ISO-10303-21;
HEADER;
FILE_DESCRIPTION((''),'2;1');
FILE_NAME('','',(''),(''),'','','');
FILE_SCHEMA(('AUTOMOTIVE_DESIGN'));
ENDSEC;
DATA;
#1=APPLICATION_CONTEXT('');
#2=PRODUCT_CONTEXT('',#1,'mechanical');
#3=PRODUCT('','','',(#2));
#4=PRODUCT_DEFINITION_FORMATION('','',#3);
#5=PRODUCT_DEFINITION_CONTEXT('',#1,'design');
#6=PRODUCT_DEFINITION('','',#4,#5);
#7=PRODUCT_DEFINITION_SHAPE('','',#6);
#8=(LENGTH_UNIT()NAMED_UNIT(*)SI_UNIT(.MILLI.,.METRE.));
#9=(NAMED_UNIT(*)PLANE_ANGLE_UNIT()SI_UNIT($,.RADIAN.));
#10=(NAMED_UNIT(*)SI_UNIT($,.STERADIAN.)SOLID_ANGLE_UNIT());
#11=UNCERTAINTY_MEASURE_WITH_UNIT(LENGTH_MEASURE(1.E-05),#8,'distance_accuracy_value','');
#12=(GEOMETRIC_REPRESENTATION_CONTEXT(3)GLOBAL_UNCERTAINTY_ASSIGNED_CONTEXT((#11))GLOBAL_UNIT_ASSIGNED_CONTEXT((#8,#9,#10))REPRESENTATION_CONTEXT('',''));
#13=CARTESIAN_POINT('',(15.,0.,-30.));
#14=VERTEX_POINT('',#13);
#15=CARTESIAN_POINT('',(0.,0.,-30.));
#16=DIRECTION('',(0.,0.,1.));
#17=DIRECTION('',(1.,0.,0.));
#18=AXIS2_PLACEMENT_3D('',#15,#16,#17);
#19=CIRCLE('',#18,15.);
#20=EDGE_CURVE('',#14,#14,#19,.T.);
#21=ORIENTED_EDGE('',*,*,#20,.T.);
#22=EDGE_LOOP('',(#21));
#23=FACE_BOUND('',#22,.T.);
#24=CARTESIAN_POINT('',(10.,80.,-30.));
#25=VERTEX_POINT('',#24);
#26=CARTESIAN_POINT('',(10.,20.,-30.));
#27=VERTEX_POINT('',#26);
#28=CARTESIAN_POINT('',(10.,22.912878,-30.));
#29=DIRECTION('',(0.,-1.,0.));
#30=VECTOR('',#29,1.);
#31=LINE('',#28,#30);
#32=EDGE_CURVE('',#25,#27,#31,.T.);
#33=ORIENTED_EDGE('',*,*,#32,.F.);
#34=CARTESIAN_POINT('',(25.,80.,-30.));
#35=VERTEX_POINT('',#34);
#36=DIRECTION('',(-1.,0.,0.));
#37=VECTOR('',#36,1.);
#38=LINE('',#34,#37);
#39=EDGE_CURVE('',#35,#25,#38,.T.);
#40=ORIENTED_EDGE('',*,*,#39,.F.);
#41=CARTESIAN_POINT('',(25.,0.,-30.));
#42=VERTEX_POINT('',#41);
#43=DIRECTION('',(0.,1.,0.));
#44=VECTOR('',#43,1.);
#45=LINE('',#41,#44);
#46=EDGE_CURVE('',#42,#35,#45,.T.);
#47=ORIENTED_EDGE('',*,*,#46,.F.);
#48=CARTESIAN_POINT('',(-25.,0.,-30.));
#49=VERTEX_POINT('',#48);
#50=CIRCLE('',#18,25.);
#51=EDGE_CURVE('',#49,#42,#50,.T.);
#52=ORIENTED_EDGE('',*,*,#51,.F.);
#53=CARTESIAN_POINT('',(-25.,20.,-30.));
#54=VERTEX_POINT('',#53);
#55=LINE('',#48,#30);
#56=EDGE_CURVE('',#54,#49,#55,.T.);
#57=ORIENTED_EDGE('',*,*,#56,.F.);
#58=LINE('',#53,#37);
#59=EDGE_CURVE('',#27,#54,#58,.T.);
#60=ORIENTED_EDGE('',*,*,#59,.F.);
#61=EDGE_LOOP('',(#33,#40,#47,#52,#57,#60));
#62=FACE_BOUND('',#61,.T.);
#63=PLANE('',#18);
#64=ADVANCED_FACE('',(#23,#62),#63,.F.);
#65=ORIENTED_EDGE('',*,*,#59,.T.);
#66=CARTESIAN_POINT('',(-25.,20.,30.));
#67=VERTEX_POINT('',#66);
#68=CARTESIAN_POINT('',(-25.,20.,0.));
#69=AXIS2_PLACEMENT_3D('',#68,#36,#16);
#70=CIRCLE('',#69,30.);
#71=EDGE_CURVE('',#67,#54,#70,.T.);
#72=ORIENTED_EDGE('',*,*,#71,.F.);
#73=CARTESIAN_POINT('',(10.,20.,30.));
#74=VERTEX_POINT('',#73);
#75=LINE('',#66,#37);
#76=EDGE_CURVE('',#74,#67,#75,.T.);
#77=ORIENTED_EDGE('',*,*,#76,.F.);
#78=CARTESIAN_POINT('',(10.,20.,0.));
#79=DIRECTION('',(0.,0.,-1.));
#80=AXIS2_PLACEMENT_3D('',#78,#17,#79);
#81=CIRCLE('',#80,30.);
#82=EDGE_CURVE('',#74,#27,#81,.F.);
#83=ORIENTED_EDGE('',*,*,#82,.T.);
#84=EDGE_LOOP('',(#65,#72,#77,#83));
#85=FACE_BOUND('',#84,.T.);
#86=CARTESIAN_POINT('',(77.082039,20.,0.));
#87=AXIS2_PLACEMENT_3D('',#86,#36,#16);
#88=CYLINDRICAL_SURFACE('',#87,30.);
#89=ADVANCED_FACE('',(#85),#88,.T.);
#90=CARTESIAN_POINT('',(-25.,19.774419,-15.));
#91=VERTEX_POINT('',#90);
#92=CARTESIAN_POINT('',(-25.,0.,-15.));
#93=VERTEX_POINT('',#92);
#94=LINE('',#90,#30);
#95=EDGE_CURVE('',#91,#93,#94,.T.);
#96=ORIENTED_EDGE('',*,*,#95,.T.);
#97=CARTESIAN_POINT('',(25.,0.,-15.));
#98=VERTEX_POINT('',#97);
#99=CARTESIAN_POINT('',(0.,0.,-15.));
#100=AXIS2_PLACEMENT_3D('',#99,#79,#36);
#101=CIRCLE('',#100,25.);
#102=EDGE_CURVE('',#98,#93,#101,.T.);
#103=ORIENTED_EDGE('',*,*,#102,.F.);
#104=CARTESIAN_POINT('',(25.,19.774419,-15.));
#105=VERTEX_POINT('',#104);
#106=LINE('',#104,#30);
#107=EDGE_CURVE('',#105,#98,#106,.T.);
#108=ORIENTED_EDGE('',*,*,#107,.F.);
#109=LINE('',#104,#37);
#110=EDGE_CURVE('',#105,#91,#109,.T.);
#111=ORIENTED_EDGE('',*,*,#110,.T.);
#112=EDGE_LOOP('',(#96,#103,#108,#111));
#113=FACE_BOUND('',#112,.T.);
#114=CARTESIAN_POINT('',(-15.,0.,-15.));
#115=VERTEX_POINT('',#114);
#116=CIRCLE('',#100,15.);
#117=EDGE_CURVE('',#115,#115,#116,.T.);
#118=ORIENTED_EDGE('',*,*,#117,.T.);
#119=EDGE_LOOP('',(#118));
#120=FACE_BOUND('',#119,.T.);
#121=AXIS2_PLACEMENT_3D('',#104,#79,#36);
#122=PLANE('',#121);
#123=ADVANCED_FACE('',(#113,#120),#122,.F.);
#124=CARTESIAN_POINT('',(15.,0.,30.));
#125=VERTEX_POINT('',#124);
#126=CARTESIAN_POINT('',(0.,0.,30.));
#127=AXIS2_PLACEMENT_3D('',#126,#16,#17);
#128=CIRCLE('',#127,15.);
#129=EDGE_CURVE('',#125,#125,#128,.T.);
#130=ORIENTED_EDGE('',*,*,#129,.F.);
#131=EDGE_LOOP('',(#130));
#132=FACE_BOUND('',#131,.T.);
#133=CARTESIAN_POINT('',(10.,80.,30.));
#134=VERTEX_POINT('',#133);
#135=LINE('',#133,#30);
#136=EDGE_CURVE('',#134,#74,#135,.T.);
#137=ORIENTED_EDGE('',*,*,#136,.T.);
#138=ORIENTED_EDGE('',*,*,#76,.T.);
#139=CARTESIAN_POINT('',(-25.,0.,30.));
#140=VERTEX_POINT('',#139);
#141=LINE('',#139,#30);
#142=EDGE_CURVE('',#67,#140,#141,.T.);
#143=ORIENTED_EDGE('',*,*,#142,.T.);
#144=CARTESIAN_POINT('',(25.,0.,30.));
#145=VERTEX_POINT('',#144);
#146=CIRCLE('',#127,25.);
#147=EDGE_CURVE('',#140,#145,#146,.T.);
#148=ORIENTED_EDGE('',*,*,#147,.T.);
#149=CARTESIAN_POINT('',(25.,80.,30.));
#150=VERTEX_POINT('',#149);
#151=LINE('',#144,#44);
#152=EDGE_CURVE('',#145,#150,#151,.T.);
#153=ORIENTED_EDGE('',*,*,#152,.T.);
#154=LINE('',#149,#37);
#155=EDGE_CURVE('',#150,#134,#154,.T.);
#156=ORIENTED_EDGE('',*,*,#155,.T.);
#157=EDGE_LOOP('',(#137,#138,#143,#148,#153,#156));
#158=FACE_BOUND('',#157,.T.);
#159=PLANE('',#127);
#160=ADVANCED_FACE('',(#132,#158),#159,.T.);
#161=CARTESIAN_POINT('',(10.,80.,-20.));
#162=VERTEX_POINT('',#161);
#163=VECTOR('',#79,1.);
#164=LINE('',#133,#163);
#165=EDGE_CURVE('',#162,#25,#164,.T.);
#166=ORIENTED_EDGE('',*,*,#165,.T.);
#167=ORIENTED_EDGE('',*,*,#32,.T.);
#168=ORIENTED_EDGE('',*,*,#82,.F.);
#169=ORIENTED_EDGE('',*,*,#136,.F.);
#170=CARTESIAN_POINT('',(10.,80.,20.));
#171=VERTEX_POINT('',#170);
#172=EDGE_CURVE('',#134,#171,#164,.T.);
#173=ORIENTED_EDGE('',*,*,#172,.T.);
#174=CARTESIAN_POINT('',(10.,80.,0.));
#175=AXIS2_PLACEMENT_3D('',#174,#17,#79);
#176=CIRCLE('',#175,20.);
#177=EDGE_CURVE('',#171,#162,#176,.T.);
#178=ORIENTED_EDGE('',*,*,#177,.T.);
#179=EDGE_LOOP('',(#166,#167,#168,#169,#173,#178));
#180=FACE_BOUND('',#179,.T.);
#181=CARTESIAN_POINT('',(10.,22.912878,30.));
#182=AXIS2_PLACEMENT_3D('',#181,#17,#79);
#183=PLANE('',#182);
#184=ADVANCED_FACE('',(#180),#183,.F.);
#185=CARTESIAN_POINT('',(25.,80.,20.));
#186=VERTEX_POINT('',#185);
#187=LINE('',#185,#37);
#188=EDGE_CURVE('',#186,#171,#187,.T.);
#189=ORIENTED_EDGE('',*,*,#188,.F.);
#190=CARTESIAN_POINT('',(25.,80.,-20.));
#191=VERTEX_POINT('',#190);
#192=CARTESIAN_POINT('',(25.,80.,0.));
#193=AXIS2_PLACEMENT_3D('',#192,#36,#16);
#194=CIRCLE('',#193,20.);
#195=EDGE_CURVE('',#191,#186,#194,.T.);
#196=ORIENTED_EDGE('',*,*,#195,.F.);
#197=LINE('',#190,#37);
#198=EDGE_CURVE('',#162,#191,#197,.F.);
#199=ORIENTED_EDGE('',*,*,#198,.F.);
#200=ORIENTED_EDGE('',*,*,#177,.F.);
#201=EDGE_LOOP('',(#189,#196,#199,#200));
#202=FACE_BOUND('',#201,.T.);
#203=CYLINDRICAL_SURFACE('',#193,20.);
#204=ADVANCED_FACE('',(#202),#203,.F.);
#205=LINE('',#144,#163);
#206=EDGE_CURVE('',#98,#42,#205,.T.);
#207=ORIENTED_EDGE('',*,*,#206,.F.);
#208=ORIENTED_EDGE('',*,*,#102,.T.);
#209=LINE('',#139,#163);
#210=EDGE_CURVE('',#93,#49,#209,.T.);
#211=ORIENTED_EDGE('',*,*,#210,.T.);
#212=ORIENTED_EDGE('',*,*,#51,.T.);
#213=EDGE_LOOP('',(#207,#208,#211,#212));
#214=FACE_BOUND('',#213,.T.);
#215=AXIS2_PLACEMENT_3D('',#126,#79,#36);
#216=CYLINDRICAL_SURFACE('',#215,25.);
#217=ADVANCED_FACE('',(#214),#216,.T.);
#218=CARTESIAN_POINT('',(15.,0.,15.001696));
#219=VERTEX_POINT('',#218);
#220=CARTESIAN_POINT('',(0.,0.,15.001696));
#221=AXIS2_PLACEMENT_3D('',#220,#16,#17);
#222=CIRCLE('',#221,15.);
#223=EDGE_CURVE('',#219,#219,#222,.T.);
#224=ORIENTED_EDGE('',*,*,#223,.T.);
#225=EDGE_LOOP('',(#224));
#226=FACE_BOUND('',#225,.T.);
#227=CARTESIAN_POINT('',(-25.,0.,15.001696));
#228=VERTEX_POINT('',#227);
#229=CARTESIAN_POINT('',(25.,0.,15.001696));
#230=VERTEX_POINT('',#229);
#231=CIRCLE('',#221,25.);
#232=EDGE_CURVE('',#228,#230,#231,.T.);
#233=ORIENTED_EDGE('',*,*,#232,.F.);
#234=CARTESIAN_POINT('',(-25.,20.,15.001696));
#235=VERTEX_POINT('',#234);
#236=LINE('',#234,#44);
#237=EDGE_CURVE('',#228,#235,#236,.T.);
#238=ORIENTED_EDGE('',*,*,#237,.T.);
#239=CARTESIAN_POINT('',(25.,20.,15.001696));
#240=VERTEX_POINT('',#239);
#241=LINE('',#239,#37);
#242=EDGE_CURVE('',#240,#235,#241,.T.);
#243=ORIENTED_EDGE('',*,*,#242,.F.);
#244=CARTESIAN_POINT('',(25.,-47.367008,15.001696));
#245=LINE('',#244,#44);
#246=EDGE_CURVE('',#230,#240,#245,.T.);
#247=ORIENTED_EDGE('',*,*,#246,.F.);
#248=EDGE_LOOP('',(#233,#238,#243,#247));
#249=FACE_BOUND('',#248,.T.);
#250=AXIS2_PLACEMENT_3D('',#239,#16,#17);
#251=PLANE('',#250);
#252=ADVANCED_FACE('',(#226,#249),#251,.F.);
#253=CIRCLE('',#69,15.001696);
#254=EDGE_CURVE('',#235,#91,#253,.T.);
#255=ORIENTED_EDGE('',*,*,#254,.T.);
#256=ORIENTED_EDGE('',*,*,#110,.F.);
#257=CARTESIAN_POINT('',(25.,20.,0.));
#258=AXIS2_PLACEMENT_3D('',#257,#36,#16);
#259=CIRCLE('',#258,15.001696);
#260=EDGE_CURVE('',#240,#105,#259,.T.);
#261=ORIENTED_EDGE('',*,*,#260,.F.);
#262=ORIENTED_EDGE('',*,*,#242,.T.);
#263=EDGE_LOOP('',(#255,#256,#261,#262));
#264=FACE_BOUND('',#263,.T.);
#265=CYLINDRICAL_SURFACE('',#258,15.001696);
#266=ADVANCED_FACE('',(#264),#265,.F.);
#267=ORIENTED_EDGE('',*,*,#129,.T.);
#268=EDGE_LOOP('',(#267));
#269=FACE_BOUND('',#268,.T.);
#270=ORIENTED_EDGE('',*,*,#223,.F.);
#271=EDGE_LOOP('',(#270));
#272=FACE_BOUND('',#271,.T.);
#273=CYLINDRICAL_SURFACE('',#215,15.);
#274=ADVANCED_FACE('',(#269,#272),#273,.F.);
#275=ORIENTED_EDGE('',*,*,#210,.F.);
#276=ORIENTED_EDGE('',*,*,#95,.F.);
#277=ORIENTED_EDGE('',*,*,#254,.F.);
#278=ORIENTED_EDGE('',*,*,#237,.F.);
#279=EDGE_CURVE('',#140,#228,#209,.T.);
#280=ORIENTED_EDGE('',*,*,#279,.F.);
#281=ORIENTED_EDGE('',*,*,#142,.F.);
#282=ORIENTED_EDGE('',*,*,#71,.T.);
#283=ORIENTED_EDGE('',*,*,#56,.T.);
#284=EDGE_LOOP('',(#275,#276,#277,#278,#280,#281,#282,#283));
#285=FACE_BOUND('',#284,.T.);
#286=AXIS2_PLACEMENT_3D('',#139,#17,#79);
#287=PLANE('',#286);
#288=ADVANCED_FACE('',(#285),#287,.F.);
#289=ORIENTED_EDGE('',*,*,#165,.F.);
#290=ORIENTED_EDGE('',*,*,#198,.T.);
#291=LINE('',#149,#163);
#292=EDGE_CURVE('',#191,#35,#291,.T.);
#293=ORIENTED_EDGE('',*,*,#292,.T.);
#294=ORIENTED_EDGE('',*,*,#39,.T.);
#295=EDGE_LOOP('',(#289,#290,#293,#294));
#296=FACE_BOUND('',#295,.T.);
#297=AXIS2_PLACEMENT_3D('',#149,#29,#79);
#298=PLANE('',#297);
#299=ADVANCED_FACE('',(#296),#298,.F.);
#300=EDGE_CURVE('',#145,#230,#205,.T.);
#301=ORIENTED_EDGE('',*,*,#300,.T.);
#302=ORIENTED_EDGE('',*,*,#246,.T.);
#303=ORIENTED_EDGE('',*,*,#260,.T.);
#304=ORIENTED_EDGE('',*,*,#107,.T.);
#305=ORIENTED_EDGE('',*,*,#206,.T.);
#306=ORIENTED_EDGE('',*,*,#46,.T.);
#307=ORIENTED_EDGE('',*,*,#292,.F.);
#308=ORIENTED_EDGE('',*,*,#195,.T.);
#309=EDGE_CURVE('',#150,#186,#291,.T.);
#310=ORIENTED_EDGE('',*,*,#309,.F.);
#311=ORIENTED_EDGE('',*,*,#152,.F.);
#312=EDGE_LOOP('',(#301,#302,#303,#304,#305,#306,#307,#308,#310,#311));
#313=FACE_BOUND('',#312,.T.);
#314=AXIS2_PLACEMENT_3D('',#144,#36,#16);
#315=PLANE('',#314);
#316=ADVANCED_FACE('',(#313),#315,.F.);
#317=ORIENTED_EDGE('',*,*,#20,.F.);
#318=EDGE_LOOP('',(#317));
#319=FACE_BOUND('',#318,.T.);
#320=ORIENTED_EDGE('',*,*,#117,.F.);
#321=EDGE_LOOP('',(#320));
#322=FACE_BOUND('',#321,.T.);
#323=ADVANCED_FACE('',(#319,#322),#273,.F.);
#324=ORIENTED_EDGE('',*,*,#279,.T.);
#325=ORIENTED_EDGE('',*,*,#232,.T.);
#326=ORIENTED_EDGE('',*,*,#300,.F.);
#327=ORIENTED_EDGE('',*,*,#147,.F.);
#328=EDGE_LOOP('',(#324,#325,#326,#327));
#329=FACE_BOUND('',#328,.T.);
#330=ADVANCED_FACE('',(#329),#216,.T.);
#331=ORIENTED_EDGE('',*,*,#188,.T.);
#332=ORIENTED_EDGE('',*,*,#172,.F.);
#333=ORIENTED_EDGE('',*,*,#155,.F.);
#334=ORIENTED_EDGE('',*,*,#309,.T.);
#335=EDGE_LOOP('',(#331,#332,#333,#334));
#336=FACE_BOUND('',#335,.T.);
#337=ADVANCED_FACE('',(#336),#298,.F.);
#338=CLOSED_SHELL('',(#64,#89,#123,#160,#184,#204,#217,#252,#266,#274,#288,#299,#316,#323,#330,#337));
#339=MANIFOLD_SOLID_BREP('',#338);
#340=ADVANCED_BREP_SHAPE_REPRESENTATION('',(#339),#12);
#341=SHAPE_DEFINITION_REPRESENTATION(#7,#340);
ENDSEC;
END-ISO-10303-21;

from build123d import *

# Parameters (mm, degrees)
SKETCH1_R           = 15
BOSS_EXTRUDE1_DEPTH = 30
SKETCH2_R           = 20
CUT_EXTRUDE1_DEPTH  = 16
BOSS_EXTRUDE2_DEPTH = 35
CUT_EXTRUDE3_DEPTH  = 51


with BuildPart() as part:
    # Sketch1 → Boss-Extrude1 (new body, symmetric)
    with BuildSketch(Plane.XY):
        with BuildLine():
            Line((25, 0), (25, 80))
            Line((25, 80), (10, 80))
            Line((10, 80), (10, 22.912878475))
            Line((10, 22.912878475), (10, 20))
            Line((10, 20), (-25, 20))
            Line((-25, 20), (-25, 0))
            ThreePointArc((-25, 0), (0, -25), (25, 0))
        make_face()
        Circle(SKETCH1_R, mode=Mode.SUBTRACT)
    extrude(amount=BOSS_EXTRUDE1_DEPTH, both=True)

    # Sketch2 → Cut-Extrude1 (cut, through all)
    with BuildSketch(Plane.ZY.offset(-10)):
        with Locations((0, 80)):
            Circle(SKETCH2_R)
    extrude(amount=-CUT_EXTRUDE1_DEPTH, mode=Mode.SUBTRACT)

    # Sketch4 → Boss-Extrude2 (add)
    with BuildSketch(Plane.ZY.offset(25)):
        with BuildLine():
            Line((-15, 20), (-30, 20))
            ThreePointArc((-30, 20), (0, 50), (30, 20))
            Line((30, 20), (15, 20))
            ThreePointArc((15, 20), (0, 35), (-15, 20))
        make_face()
    extrude(amount=-BOSS_EXTRUDE2_DEPTH)

    # Sketch5 → Cut-Extrude3 (cut, through all)
    with BuildSketch(Plane.ZY.offset(25)):
        with BuildLine():
            Line((-15, 19.774418989), (-15, -47.367007727))
            Line((-15, -47.367007727), (15.001696131, -47.367007727))
            Line((15.001696131, -47.367007727), (15.001696131, -44.584519051))
            Line((15.001696131, -44.584519051), (15.001696131, 20))
            ThreePointArc((15.001696131, 20), (-0.112793694, 35.001272092), (-15, 19.774418989))
        make_face()
    extrude(amount=-CUT_EXTRUDE3_DEPTH, mode=Mode.SUBTRACT)


solid = part.part
